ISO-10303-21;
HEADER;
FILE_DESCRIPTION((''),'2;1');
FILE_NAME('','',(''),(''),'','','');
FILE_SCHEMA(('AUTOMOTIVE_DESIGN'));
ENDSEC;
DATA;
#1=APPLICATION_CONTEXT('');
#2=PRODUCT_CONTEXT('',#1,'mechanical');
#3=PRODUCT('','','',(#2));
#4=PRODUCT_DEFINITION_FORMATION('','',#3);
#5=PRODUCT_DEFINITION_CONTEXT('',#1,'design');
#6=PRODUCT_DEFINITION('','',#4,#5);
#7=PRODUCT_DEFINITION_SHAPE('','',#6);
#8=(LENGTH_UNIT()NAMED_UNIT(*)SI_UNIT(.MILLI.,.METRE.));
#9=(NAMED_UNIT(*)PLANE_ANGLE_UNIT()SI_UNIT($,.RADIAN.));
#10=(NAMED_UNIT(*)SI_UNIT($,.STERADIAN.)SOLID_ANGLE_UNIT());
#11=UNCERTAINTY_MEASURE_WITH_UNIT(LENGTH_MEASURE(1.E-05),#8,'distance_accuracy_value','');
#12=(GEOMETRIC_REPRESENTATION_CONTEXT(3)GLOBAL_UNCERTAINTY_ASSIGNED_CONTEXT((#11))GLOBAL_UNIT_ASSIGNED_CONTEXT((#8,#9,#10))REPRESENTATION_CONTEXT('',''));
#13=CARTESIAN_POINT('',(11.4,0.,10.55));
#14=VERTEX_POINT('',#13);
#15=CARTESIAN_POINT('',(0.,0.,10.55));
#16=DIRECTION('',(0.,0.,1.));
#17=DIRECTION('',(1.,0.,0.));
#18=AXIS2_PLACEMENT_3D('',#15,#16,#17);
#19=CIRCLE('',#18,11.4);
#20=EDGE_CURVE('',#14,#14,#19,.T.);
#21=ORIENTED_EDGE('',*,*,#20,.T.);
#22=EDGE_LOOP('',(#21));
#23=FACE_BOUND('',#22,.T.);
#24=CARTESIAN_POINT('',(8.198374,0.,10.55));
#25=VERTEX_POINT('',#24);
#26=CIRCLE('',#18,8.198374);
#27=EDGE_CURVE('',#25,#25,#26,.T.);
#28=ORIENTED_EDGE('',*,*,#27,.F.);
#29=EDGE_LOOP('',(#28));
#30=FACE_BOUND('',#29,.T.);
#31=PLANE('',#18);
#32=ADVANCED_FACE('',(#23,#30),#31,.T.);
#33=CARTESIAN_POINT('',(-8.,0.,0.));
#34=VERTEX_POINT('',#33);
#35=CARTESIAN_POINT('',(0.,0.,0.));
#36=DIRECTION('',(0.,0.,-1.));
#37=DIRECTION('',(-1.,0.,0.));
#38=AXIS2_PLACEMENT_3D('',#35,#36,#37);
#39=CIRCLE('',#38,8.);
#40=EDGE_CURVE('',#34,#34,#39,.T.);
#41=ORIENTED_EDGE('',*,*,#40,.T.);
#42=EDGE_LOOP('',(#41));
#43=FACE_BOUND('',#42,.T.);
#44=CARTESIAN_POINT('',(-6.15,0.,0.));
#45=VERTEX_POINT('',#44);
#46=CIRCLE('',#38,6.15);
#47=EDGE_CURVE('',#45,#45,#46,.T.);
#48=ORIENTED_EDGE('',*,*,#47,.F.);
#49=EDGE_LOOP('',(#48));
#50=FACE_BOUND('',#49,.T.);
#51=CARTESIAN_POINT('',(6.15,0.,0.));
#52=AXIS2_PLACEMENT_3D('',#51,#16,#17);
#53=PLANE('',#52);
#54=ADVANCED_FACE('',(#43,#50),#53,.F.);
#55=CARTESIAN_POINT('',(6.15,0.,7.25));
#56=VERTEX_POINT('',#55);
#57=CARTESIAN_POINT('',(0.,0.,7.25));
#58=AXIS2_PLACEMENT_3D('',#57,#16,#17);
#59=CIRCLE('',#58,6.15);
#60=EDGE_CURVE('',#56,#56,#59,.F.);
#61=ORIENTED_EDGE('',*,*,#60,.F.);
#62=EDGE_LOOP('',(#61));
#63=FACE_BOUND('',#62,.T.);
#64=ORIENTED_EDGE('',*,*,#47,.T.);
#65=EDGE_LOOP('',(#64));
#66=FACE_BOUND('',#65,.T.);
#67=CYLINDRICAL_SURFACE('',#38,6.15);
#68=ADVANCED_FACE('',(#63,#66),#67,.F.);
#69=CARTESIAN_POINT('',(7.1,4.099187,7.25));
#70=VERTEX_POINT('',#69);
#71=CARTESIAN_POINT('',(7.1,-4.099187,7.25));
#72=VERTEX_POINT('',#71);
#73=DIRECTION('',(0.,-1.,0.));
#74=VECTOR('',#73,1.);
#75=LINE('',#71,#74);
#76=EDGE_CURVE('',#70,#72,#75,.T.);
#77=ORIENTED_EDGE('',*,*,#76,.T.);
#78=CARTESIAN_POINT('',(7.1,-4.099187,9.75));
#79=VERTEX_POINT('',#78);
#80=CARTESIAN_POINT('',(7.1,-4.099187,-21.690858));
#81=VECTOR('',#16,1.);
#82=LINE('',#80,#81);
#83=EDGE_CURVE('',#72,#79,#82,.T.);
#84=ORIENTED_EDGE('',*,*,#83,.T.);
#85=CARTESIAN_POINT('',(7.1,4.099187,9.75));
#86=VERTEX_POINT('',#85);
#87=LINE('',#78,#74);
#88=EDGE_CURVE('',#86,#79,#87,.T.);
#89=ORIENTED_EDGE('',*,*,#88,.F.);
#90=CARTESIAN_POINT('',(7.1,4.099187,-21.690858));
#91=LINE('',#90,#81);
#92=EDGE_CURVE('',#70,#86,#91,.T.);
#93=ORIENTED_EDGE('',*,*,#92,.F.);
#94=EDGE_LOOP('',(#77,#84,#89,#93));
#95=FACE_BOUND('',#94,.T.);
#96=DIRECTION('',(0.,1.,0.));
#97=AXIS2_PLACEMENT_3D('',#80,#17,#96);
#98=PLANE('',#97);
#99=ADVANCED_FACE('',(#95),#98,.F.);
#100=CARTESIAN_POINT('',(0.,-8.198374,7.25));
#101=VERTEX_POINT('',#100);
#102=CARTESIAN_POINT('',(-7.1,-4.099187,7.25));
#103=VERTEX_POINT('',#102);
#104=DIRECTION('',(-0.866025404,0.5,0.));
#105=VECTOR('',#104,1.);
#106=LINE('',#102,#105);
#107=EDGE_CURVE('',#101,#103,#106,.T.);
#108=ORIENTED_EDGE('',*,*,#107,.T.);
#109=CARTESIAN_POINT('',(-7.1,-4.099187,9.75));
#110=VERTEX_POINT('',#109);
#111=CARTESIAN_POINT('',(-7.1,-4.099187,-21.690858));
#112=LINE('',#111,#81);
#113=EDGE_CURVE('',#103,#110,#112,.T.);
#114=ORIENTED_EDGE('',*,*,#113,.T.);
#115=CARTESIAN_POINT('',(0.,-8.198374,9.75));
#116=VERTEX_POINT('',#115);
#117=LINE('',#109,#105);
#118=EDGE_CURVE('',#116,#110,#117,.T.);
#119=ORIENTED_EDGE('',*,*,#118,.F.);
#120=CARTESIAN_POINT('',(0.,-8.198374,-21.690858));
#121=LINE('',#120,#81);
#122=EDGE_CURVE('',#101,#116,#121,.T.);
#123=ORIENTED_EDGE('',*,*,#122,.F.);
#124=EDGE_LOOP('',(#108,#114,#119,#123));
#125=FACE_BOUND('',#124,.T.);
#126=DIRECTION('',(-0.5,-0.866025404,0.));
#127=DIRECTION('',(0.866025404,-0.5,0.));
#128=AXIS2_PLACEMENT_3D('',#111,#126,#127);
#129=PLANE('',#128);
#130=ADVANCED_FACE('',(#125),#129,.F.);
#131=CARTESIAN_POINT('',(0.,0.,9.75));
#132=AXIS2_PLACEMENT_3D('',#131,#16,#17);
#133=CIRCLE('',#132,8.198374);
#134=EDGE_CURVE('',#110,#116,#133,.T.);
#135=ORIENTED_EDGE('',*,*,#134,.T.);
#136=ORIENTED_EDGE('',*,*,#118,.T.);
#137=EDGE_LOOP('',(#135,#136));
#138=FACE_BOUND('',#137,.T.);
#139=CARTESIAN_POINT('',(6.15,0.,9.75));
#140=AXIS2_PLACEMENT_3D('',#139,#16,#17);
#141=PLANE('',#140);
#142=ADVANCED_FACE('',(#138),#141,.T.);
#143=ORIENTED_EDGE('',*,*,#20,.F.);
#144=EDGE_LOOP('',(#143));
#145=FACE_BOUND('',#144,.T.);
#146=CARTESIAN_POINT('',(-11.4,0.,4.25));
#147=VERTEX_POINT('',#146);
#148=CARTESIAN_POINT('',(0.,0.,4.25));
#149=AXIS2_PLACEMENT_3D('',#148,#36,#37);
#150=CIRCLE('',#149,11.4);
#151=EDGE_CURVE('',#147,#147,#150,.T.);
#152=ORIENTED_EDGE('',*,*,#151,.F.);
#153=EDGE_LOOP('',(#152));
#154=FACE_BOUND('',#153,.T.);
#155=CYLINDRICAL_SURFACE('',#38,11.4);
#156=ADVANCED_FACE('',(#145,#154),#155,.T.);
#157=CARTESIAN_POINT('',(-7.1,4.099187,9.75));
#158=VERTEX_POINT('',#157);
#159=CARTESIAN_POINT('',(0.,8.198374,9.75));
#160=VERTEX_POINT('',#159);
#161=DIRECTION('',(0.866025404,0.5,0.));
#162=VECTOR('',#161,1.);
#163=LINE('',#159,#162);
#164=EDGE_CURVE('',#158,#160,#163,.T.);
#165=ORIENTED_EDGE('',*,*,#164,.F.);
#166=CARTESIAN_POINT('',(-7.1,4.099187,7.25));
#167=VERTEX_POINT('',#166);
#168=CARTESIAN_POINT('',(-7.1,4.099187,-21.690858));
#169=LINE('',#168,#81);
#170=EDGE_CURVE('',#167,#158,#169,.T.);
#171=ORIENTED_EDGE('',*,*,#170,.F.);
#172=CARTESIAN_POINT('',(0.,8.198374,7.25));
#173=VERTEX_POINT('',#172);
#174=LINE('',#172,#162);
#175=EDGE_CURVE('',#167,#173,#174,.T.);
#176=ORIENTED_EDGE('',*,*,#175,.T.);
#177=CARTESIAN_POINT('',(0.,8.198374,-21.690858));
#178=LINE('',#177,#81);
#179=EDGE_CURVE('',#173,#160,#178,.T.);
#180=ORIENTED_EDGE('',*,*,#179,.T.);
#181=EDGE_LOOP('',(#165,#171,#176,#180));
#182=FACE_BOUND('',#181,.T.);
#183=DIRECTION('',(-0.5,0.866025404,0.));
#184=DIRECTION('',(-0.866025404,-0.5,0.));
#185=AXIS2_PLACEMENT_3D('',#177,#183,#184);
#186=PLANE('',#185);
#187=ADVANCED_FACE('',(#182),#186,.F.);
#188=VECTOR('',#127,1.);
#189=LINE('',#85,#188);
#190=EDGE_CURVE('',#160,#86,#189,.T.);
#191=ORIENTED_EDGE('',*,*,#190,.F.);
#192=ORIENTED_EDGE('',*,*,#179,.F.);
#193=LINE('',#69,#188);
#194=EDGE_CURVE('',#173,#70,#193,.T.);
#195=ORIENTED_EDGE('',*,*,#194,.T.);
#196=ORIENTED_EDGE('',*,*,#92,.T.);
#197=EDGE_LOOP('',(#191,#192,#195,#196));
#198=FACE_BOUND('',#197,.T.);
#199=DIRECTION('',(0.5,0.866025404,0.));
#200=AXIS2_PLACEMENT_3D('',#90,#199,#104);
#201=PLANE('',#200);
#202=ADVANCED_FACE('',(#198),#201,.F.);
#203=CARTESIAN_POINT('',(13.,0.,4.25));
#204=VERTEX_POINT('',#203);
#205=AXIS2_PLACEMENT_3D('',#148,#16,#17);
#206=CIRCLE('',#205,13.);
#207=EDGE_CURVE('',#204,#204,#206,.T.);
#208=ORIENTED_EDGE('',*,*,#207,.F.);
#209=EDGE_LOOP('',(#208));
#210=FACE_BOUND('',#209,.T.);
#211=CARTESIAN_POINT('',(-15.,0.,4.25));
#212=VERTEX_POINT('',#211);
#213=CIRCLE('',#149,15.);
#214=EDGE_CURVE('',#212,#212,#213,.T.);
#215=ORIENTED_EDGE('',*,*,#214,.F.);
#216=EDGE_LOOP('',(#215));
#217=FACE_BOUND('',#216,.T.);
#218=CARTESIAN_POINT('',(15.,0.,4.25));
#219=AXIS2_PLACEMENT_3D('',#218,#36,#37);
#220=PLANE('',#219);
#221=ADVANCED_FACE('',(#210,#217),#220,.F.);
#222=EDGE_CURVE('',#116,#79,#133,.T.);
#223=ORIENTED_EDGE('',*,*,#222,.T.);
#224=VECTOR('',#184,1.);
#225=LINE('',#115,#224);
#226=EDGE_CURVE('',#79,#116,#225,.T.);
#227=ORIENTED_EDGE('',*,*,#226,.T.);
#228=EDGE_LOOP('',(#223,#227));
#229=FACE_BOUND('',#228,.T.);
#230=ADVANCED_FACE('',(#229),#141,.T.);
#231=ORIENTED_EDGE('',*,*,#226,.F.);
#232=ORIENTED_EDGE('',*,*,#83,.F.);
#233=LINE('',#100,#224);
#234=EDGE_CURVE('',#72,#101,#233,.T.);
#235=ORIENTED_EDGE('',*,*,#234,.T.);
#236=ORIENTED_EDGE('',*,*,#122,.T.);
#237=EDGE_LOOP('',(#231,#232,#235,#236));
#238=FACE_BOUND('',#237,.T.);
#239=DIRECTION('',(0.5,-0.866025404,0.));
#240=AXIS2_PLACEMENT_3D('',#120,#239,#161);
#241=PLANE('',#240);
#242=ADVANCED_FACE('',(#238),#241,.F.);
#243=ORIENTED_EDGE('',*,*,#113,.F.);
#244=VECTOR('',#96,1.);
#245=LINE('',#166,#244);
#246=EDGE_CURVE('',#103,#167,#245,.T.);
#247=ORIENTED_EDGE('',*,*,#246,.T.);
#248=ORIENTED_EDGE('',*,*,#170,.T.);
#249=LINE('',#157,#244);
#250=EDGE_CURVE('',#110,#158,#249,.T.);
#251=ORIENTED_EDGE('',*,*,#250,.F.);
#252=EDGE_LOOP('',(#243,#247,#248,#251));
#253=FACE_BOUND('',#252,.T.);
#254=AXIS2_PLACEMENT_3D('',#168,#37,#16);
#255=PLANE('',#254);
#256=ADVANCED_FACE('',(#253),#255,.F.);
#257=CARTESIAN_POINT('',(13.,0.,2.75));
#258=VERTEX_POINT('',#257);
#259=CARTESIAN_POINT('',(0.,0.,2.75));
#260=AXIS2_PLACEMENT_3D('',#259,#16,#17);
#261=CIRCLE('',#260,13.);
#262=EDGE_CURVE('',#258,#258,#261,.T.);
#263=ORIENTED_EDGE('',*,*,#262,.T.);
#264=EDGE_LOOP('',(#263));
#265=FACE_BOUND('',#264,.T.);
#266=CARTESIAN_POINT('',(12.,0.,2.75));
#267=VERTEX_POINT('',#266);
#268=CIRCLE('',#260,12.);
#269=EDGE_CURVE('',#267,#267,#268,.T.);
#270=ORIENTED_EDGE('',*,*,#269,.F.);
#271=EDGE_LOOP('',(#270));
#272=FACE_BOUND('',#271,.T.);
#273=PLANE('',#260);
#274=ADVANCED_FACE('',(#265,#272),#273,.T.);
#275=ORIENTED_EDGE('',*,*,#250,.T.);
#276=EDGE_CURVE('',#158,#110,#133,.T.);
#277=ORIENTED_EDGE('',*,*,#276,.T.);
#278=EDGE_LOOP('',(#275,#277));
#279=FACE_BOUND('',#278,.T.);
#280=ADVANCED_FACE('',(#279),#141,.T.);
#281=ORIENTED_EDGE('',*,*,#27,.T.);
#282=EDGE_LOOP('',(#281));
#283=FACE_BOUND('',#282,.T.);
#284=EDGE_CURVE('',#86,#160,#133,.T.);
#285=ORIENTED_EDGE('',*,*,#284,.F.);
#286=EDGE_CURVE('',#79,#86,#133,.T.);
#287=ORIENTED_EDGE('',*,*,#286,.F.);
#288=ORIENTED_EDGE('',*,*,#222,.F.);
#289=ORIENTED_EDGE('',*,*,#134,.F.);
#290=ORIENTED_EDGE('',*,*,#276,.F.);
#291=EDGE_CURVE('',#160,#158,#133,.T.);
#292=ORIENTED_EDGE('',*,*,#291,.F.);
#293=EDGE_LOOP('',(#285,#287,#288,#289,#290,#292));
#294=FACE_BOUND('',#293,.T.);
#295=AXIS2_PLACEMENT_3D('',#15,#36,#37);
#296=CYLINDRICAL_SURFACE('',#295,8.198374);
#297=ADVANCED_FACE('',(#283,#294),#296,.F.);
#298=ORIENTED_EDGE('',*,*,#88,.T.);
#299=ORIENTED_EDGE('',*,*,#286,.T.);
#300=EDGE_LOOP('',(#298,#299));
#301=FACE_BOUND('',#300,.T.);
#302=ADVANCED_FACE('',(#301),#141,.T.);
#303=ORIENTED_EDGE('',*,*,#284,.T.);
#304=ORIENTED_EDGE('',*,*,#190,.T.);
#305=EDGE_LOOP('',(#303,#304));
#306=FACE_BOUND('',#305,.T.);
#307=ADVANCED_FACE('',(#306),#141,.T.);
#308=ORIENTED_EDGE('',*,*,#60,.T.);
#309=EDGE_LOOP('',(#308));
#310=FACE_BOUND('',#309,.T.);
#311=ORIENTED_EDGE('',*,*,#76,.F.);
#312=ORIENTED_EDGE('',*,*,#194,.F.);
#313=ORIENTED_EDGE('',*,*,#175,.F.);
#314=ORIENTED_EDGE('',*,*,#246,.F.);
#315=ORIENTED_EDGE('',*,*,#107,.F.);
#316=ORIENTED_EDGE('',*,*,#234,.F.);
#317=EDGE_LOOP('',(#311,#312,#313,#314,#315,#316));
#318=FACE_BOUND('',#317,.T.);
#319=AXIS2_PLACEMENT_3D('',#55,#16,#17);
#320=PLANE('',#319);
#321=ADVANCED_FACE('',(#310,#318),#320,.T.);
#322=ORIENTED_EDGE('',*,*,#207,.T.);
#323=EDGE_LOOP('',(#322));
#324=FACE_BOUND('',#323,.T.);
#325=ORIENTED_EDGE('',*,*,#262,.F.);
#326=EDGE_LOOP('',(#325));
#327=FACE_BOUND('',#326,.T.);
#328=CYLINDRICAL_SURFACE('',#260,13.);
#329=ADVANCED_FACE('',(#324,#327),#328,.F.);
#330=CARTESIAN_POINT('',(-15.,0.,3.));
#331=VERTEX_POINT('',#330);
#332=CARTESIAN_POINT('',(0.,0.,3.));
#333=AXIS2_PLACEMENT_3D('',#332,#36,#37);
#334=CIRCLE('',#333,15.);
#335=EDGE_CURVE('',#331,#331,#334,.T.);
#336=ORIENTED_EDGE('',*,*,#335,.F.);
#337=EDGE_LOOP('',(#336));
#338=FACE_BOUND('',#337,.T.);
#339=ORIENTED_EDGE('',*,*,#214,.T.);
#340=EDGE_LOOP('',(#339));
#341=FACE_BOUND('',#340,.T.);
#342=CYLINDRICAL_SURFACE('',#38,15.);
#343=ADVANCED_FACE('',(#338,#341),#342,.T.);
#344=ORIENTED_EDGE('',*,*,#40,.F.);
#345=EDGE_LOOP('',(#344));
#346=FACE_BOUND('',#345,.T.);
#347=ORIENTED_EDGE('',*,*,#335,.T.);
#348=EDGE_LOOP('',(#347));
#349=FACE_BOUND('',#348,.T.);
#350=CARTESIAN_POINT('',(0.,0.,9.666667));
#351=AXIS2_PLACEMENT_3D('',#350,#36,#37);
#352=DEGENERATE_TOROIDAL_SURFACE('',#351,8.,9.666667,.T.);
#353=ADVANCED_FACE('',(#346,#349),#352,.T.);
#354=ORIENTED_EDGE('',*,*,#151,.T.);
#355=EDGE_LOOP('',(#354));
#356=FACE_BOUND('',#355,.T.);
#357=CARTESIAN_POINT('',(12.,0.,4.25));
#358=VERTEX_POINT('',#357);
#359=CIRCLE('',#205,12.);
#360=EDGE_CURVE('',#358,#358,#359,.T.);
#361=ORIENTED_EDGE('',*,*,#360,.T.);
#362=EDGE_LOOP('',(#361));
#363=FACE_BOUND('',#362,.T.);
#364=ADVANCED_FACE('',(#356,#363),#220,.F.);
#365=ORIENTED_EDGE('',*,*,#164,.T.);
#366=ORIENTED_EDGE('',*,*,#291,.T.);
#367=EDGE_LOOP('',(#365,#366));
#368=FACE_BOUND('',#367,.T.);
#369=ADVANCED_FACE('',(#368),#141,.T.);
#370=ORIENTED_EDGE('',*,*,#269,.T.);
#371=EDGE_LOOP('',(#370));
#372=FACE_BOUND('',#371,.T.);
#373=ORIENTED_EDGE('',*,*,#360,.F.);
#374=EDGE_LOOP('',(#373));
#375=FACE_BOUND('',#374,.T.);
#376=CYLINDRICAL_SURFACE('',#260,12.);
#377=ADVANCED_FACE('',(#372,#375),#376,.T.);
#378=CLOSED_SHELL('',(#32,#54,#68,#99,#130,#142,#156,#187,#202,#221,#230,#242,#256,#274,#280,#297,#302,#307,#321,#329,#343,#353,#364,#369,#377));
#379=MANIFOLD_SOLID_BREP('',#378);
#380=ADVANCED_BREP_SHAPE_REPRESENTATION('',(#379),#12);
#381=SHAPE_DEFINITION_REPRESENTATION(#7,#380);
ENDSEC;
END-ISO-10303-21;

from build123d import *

# Parameters (mm, degrees)
CUT_EXTRUDE2_DEPTH  = 7
SKETCH2_R           = 13
CUT_EXTRUDE1_DEPTH  = 4.5
SKETCH5_R           = 11.4
SKETCH5_R_2         = 8.198373822
BOSS_EXTRUDE2_DEPTH = 0.8
SKETCH6_R           = 13
SKETCH6_R_2         = 12
CUT_EXTRUDE3_DEPTH  = 1.5


with BuildPart() as part:
    # Sketch1 → Revolve1 (revolve)
    with BuildSketch(Plane(origin=(0, 0, 0), x_dir=(1, 0, 0), z_dir=(0, 1, 0))):
        with BuildLine():
            Line((6.15, -14.25), (6.15, 0))
            Line((6.15, 0), (8, 0))
            ThreePointArc((8, 0), (11.807886553, -0.781598043), (15, -3))
            Line((15, -3), (15, -4.25))
            Line((15, -4.25), (11.4, -4.25))
            Line((11.4, -4.25), (11.4, -14.25))
            Line((11.4, -14.25), (6.15, -14.25))
        make_face()
    revolve(axis=Axis((0, 0, 0), (0, 0, 1)))

    # Sketch3 → Cut-Extrude2 (cut)
    with BuildSketch(Plane.XY.offset(14.25)):
        Polygon((0, -8.198373822), (7.1, -4.099186911), (7.1, 4.099186911), (0, 8.198373822), (-7.1, 4.099186911), (-7.1, -4.099186911), align=None)
    extrude(amount=-CUT_EXTRUDE2_DEPTH, mode=Mode.SUBTRACT)

    # Sketch2 → Cut-Extrude1 (cut)
    with BuildSketch(Plane.XY.offset(14.25)):
        Circle(SKETCH2_R)
    extrude(amount=-CUT_EXTRUDE1_DEPTH, mode=Mode.SUBTRACT)

    # Sketch5 → Boss-Extrude2 (add)
    with BuildSketch(Plane.XY.offset(9.75)):
        Circle(SKETCH5_R)
        Circle(SKETCH5_R_2, mode=Mode.SUBTRACT)
    extrude(amount=BOSS_EXTRUDE2_DEPTH)

    # Sketch6 → Cut-Extrude3 (cut)
    with BuildSketch(Plane.XY.offset(4.25)):
        Circle(SKETCH6_R)
        Circle(SKETCH6_R_2, mode=Mode.SUBTRACT)
    extrude(amount=-CUT_EXTRUDE3_DEPTH, mode=Mode.SUBTRACT)


solid = part.part
